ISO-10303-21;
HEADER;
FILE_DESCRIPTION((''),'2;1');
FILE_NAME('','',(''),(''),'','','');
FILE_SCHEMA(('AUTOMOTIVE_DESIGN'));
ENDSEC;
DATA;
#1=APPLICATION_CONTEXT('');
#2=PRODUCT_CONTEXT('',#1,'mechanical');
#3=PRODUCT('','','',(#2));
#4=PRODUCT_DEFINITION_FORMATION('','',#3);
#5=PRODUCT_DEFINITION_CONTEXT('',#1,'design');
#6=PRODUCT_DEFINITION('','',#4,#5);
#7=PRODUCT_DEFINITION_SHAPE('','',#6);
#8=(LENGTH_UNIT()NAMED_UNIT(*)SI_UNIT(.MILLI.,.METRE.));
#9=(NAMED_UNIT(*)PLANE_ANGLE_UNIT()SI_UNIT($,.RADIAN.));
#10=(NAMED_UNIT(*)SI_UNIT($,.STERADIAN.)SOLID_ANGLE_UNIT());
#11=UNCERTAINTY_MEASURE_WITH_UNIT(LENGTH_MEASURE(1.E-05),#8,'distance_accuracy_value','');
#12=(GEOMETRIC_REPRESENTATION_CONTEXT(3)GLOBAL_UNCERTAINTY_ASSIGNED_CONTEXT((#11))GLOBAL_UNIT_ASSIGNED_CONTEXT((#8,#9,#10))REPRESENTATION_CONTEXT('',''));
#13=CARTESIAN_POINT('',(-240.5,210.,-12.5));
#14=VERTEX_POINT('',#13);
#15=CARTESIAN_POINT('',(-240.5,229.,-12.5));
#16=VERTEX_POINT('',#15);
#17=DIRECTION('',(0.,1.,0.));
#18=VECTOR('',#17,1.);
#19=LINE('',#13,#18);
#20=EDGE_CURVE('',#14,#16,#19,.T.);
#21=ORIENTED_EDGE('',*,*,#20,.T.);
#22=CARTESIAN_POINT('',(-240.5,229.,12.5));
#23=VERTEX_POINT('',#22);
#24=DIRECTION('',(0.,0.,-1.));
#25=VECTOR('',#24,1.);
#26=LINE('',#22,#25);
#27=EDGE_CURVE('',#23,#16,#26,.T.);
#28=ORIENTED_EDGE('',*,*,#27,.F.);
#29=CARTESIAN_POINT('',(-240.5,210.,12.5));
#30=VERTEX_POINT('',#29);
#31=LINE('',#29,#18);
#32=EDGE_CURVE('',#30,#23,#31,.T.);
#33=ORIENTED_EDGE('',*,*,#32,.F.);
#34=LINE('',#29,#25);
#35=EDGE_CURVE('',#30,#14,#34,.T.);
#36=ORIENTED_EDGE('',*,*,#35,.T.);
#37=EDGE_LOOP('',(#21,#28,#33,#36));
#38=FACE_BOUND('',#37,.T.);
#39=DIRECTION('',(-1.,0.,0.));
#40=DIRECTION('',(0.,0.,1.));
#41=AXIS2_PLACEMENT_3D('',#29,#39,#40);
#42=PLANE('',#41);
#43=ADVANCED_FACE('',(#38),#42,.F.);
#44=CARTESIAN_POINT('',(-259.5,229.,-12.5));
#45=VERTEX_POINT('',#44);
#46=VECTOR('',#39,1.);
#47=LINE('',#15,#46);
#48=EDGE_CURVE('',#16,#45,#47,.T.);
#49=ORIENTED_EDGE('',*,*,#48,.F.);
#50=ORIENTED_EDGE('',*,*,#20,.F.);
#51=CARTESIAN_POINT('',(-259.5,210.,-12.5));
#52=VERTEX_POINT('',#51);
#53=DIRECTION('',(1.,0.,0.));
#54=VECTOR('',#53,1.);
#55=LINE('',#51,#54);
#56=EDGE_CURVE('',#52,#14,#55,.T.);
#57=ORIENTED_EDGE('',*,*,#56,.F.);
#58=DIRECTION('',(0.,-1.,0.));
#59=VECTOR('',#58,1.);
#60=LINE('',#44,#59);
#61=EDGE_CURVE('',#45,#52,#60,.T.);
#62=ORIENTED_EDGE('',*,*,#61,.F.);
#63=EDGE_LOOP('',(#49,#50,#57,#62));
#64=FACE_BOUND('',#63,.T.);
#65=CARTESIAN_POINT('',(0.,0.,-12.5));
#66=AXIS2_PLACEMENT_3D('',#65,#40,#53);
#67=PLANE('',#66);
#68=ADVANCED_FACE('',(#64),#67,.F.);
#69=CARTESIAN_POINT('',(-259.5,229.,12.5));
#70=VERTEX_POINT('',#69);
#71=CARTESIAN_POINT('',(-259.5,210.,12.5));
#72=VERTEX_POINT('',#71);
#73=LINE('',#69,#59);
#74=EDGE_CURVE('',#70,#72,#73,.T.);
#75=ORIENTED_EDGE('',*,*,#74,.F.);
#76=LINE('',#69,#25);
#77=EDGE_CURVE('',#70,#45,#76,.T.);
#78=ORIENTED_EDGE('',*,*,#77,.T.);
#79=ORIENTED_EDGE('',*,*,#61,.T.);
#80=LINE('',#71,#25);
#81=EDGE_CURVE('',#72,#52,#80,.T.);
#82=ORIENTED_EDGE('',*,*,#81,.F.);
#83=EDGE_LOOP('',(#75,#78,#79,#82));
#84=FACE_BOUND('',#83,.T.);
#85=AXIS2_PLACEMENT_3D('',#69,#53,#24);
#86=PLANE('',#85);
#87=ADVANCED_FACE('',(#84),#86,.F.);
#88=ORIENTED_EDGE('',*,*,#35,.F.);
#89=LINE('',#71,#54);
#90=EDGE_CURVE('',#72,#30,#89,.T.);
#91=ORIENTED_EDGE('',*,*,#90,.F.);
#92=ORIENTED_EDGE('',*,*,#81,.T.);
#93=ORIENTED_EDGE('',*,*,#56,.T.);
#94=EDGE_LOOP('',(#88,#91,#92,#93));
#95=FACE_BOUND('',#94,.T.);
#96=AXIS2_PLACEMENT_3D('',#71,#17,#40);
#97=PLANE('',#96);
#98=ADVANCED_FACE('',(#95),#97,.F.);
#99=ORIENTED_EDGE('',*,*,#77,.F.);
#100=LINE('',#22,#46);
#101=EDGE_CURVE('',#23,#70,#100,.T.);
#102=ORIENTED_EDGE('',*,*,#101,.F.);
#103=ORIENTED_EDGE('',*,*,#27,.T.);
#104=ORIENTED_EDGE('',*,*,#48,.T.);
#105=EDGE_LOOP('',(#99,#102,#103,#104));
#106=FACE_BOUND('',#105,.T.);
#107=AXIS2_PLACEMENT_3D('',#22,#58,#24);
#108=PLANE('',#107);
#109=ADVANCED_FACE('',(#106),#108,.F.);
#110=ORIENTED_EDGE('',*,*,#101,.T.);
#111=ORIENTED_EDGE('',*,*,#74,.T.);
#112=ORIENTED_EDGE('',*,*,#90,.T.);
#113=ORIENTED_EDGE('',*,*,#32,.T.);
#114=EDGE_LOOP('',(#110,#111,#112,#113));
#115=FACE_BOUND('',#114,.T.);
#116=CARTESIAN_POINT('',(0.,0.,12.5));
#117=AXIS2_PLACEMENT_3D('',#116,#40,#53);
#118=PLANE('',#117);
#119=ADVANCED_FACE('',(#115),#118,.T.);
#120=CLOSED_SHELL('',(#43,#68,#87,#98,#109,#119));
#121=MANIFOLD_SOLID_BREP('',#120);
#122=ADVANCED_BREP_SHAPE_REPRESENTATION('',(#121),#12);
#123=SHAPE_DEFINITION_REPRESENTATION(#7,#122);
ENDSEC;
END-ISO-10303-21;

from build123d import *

# Parameters (mm, degrees)
SKETCH1_W           = 19
SKETCH1_H           = 19
BOSS_EXTRUDE1_DEPTH = 12.5


with BuildPart() as part:
    # Sketch1 → Boss-Extrude1 (new body, symmetric)
    with BuildSketch(Plane.XY):
        with Locations((-250, 219.5)):
            Rectangle(SKETCH1_W, SKETCH1_H)
    extrude(amount=BOSS_EXTRUDE1_DEPTH, both=True)


solid = part.part
